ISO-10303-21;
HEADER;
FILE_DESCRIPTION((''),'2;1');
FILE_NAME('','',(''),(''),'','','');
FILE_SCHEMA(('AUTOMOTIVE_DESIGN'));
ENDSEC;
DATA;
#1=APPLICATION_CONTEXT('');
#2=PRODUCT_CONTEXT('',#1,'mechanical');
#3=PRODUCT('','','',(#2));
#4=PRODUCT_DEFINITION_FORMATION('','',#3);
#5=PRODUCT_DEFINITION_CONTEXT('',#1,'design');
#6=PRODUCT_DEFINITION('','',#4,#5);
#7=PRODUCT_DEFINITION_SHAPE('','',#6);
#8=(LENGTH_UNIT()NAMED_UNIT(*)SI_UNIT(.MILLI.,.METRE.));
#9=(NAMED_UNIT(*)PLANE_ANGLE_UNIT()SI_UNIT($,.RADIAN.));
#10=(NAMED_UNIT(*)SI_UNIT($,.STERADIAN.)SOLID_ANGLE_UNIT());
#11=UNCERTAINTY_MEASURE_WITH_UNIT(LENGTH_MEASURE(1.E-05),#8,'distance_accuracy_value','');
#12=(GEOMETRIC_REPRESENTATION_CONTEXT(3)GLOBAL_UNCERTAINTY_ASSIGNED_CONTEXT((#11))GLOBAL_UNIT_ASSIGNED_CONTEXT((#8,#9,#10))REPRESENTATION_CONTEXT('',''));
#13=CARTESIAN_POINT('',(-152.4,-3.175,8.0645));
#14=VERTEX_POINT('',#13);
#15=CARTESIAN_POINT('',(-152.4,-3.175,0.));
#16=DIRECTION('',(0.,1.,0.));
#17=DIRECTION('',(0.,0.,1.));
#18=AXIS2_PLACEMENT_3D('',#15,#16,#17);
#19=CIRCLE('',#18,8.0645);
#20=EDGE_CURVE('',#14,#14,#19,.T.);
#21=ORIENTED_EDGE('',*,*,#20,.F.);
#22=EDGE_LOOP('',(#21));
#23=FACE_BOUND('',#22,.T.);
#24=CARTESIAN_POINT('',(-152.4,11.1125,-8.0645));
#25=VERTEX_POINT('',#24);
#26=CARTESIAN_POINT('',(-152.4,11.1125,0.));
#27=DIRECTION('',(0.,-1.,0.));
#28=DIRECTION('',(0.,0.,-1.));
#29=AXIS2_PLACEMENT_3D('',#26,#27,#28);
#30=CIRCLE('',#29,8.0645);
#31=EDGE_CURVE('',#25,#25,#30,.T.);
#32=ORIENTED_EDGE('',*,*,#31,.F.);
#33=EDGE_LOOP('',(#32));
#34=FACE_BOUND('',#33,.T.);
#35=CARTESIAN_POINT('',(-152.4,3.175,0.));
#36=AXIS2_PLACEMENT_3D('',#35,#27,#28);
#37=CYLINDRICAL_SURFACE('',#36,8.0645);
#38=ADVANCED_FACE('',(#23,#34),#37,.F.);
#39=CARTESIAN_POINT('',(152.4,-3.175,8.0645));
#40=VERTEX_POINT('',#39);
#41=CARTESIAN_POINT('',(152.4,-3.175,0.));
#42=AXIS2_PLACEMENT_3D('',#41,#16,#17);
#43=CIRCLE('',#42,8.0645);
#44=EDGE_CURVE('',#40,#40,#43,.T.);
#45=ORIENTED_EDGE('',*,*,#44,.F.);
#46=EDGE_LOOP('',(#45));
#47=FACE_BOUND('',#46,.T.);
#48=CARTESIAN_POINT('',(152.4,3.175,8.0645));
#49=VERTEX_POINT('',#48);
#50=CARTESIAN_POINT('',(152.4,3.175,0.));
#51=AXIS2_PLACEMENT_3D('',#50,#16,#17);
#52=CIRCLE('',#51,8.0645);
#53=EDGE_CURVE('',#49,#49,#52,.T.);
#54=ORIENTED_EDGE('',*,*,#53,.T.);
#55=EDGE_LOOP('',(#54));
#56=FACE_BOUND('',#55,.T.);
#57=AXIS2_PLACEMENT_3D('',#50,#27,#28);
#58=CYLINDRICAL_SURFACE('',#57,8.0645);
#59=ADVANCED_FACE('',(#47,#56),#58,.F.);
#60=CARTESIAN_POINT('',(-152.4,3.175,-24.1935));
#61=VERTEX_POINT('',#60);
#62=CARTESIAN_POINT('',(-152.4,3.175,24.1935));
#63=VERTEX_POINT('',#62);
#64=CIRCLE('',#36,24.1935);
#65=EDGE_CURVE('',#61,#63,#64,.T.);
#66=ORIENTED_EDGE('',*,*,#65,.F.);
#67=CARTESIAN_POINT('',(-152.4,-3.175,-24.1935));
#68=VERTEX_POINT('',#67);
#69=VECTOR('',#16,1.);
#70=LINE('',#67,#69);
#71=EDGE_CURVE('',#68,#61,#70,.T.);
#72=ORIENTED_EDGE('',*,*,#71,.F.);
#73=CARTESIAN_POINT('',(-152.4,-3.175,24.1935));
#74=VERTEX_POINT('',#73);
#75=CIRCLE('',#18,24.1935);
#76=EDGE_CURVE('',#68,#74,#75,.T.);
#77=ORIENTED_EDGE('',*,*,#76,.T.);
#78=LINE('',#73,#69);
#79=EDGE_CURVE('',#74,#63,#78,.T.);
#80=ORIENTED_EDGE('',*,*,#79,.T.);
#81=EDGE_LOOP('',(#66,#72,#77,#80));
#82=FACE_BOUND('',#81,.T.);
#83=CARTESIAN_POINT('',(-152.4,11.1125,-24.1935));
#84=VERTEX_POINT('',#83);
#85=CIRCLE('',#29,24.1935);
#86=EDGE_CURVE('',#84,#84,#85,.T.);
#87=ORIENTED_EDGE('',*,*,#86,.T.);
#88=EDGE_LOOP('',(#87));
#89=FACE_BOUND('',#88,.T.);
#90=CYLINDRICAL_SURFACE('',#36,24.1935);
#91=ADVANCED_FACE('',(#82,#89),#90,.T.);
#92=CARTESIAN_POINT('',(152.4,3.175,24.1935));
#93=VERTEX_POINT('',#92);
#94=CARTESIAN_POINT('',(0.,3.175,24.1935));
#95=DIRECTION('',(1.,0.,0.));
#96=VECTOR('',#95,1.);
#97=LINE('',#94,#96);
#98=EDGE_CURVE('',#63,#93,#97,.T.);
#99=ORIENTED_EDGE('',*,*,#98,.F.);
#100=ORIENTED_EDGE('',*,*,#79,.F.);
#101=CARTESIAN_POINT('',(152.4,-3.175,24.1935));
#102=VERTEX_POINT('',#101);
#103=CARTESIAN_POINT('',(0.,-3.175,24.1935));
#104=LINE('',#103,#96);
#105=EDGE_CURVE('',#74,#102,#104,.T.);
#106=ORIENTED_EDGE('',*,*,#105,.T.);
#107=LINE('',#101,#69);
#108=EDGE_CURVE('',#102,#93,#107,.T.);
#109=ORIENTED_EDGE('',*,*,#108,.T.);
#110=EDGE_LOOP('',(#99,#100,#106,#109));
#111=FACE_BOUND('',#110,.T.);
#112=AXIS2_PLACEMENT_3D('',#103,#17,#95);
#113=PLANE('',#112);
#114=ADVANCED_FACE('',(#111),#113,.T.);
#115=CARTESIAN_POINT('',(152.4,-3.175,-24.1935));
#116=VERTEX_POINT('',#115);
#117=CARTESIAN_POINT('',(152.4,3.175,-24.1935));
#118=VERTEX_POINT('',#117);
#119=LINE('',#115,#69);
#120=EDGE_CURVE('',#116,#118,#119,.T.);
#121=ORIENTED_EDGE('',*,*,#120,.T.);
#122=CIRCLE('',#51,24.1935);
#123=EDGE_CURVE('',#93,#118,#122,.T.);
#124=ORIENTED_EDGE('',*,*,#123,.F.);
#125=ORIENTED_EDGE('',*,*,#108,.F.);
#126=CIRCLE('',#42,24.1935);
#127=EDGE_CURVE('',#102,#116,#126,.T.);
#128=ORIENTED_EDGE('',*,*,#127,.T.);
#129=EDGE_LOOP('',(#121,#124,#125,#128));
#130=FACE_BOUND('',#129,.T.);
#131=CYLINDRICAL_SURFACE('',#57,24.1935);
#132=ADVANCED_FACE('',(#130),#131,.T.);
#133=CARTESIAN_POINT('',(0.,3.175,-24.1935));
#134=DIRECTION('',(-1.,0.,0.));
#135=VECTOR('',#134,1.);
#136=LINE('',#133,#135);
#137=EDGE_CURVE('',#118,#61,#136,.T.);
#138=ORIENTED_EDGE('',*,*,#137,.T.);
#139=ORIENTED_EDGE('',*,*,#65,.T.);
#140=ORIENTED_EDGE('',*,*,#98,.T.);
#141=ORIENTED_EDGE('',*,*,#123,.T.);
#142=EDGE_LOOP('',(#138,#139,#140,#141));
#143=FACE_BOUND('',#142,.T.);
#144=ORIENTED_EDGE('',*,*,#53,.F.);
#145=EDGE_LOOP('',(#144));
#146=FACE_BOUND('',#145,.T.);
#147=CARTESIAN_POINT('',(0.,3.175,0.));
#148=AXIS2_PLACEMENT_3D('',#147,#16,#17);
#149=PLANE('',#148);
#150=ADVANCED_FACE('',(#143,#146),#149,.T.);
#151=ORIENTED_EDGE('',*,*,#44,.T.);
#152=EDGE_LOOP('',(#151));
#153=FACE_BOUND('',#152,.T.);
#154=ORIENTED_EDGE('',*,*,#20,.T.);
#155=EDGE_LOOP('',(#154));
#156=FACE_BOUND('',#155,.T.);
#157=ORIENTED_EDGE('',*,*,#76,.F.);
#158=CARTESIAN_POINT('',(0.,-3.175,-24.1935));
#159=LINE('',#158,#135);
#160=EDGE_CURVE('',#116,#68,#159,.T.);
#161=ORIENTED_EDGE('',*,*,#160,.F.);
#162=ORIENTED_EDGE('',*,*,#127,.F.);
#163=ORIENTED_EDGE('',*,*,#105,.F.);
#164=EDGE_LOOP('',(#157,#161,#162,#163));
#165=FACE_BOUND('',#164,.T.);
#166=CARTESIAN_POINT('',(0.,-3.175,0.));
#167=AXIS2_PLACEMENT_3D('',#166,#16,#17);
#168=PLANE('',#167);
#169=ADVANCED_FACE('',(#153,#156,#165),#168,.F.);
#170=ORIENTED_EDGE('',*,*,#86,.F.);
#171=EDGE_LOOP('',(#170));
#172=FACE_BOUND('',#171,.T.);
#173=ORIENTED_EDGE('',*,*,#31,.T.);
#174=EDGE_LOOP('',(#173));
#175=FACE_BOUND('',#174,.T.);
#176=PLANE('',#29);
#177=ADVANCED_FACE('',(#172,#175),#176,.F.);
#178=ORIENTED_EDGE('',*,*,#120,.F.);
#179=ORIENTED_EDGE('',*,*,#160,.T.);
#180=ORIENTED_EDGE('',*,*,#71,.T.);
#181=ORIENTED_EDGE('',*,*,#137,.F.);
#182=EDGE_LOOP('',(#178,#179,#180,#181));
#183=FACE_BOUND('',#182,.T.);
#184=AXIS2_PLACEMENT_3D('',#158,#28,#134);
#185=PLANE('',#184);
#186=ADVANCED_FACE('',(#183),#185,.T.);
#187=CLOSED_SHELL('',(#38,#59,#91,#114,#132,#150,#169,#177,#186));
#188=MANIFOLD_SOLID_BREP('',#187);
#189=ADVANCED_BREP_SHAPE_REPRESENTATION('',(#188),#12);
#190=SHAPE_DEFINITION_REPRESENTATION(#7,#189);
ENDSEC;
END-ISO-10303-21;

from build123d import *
from build123d.topology import SkipClean

# Parameters (mm, degrees)
SKETCH2_R               = 8.0645
BOSS_EXTRUDE2_DEPTH     = 3.175
SKETCH3_R               = 24.1935
SKETCH3_R_2             = 8.0645
BOSS_EXTRUDE3_DEPTH     = 7.9375
CUT_EXTRUDE2_DEPTH      = 181.356612
CUT_EXTRUDE2_DEPTH_BACK = 181.356612


with BuildPart() as part:
    # Sketch2 → Boss-Extrude2 (new, symmetric)
    with BuildSketch(Plane(origin=(0, 0, 0), x_dir=(1, 0, 0), z_dir=(0, 1, 0))):
        with BuildLine():
            ThreePointArc((155.79044, -23.954757), (176.5935, 0), (155.79044, 23.954757))
            ThreePointArc((155.79044, 23.954757), (0, 34.925), (-155.79044, 23.954757))
            ThreePointArc((-155.79044, 23.954757), (-176.5935, 0), (-155.79044, -23.954757))
            ThreePointArc((-155.79044, -23.954757), (0, -34.925), (155.79044, -23.954757))
        make_face()
        with Locations((-152.4, 0)):
            Circle(SKETCH2_R, mode=Mode.SUBTRACT)
        with Locations((152.4, 0)):
            Circle(SKETCH2_R, mode=Mode.SUBTRACT)
    extrude(amount=BOSS_EXTRUDE2_DEPTH, both=True)

    # Sketch3 → Boss-Extrude3 (add)
    with SkipClean():  # the faces are left unmerged after this step: merging them gives an invalid solid
        with BuildSketch(Plane.XZ.offset(-3.175)):
            with Locations((-152.4, 0)):
                Circle(SKETCH3_R)
            with Locations((-152.4, 0)):
                Circle(SKETCH3_R_2, mode=Mode.SUBTRACT)
        extrude(amount=-BOSS_EXTRUDE3_DEPTH)

    # Sketch2<3> → Cut-Extrude2 (cut, two sides: drawn at the far end of the back side and taken through both)
    with BuildSketch(Plane(origin=(0, 0, 0), x_dir=(1, 0, 0), z_dir=(0, 1, 0)).offset(-CUT_EXTRUDE2_DEPTH_BACK)):
        with BuildLine():
            Line((-152.4, 24.1935), (152.4, 24.1935))
            ThreePointArc((152.4, 24.1935), (154.099418, 24.13374), (155.79044, 23.954757))
            ThreePointArc((155.79044, 23.954757), (0, 34.925), (-155.79044, 23.954757))
            ThreePointArc((-155.79044, 23.954757), (-154.099418, 24.13374), (-152.4, 24.1935))
        make_face()
        with BuildLine():
            ThreePointArc((-155.79044, -23.954757), (0, -34.925), (155.79044, -23.954757))
            ThreePointArc((155.79044, -23.954757), (154.099418, -24.13374), (152.4, -24.1935))
            Line((152.4, -24.1935), (-152.4, -24.1935))
            ThreePointArc((-152.4, -24.1935), (-154.099418, -24.13374), (-155.79044, -23.954757))
        make_face()
    extrude(amount=CUT_EXTRUDE2_DEPTH + CUT_EXTRUDE2_DEPTH_BACK, mode=Mode.SUBTRACT)


solid = part.part
